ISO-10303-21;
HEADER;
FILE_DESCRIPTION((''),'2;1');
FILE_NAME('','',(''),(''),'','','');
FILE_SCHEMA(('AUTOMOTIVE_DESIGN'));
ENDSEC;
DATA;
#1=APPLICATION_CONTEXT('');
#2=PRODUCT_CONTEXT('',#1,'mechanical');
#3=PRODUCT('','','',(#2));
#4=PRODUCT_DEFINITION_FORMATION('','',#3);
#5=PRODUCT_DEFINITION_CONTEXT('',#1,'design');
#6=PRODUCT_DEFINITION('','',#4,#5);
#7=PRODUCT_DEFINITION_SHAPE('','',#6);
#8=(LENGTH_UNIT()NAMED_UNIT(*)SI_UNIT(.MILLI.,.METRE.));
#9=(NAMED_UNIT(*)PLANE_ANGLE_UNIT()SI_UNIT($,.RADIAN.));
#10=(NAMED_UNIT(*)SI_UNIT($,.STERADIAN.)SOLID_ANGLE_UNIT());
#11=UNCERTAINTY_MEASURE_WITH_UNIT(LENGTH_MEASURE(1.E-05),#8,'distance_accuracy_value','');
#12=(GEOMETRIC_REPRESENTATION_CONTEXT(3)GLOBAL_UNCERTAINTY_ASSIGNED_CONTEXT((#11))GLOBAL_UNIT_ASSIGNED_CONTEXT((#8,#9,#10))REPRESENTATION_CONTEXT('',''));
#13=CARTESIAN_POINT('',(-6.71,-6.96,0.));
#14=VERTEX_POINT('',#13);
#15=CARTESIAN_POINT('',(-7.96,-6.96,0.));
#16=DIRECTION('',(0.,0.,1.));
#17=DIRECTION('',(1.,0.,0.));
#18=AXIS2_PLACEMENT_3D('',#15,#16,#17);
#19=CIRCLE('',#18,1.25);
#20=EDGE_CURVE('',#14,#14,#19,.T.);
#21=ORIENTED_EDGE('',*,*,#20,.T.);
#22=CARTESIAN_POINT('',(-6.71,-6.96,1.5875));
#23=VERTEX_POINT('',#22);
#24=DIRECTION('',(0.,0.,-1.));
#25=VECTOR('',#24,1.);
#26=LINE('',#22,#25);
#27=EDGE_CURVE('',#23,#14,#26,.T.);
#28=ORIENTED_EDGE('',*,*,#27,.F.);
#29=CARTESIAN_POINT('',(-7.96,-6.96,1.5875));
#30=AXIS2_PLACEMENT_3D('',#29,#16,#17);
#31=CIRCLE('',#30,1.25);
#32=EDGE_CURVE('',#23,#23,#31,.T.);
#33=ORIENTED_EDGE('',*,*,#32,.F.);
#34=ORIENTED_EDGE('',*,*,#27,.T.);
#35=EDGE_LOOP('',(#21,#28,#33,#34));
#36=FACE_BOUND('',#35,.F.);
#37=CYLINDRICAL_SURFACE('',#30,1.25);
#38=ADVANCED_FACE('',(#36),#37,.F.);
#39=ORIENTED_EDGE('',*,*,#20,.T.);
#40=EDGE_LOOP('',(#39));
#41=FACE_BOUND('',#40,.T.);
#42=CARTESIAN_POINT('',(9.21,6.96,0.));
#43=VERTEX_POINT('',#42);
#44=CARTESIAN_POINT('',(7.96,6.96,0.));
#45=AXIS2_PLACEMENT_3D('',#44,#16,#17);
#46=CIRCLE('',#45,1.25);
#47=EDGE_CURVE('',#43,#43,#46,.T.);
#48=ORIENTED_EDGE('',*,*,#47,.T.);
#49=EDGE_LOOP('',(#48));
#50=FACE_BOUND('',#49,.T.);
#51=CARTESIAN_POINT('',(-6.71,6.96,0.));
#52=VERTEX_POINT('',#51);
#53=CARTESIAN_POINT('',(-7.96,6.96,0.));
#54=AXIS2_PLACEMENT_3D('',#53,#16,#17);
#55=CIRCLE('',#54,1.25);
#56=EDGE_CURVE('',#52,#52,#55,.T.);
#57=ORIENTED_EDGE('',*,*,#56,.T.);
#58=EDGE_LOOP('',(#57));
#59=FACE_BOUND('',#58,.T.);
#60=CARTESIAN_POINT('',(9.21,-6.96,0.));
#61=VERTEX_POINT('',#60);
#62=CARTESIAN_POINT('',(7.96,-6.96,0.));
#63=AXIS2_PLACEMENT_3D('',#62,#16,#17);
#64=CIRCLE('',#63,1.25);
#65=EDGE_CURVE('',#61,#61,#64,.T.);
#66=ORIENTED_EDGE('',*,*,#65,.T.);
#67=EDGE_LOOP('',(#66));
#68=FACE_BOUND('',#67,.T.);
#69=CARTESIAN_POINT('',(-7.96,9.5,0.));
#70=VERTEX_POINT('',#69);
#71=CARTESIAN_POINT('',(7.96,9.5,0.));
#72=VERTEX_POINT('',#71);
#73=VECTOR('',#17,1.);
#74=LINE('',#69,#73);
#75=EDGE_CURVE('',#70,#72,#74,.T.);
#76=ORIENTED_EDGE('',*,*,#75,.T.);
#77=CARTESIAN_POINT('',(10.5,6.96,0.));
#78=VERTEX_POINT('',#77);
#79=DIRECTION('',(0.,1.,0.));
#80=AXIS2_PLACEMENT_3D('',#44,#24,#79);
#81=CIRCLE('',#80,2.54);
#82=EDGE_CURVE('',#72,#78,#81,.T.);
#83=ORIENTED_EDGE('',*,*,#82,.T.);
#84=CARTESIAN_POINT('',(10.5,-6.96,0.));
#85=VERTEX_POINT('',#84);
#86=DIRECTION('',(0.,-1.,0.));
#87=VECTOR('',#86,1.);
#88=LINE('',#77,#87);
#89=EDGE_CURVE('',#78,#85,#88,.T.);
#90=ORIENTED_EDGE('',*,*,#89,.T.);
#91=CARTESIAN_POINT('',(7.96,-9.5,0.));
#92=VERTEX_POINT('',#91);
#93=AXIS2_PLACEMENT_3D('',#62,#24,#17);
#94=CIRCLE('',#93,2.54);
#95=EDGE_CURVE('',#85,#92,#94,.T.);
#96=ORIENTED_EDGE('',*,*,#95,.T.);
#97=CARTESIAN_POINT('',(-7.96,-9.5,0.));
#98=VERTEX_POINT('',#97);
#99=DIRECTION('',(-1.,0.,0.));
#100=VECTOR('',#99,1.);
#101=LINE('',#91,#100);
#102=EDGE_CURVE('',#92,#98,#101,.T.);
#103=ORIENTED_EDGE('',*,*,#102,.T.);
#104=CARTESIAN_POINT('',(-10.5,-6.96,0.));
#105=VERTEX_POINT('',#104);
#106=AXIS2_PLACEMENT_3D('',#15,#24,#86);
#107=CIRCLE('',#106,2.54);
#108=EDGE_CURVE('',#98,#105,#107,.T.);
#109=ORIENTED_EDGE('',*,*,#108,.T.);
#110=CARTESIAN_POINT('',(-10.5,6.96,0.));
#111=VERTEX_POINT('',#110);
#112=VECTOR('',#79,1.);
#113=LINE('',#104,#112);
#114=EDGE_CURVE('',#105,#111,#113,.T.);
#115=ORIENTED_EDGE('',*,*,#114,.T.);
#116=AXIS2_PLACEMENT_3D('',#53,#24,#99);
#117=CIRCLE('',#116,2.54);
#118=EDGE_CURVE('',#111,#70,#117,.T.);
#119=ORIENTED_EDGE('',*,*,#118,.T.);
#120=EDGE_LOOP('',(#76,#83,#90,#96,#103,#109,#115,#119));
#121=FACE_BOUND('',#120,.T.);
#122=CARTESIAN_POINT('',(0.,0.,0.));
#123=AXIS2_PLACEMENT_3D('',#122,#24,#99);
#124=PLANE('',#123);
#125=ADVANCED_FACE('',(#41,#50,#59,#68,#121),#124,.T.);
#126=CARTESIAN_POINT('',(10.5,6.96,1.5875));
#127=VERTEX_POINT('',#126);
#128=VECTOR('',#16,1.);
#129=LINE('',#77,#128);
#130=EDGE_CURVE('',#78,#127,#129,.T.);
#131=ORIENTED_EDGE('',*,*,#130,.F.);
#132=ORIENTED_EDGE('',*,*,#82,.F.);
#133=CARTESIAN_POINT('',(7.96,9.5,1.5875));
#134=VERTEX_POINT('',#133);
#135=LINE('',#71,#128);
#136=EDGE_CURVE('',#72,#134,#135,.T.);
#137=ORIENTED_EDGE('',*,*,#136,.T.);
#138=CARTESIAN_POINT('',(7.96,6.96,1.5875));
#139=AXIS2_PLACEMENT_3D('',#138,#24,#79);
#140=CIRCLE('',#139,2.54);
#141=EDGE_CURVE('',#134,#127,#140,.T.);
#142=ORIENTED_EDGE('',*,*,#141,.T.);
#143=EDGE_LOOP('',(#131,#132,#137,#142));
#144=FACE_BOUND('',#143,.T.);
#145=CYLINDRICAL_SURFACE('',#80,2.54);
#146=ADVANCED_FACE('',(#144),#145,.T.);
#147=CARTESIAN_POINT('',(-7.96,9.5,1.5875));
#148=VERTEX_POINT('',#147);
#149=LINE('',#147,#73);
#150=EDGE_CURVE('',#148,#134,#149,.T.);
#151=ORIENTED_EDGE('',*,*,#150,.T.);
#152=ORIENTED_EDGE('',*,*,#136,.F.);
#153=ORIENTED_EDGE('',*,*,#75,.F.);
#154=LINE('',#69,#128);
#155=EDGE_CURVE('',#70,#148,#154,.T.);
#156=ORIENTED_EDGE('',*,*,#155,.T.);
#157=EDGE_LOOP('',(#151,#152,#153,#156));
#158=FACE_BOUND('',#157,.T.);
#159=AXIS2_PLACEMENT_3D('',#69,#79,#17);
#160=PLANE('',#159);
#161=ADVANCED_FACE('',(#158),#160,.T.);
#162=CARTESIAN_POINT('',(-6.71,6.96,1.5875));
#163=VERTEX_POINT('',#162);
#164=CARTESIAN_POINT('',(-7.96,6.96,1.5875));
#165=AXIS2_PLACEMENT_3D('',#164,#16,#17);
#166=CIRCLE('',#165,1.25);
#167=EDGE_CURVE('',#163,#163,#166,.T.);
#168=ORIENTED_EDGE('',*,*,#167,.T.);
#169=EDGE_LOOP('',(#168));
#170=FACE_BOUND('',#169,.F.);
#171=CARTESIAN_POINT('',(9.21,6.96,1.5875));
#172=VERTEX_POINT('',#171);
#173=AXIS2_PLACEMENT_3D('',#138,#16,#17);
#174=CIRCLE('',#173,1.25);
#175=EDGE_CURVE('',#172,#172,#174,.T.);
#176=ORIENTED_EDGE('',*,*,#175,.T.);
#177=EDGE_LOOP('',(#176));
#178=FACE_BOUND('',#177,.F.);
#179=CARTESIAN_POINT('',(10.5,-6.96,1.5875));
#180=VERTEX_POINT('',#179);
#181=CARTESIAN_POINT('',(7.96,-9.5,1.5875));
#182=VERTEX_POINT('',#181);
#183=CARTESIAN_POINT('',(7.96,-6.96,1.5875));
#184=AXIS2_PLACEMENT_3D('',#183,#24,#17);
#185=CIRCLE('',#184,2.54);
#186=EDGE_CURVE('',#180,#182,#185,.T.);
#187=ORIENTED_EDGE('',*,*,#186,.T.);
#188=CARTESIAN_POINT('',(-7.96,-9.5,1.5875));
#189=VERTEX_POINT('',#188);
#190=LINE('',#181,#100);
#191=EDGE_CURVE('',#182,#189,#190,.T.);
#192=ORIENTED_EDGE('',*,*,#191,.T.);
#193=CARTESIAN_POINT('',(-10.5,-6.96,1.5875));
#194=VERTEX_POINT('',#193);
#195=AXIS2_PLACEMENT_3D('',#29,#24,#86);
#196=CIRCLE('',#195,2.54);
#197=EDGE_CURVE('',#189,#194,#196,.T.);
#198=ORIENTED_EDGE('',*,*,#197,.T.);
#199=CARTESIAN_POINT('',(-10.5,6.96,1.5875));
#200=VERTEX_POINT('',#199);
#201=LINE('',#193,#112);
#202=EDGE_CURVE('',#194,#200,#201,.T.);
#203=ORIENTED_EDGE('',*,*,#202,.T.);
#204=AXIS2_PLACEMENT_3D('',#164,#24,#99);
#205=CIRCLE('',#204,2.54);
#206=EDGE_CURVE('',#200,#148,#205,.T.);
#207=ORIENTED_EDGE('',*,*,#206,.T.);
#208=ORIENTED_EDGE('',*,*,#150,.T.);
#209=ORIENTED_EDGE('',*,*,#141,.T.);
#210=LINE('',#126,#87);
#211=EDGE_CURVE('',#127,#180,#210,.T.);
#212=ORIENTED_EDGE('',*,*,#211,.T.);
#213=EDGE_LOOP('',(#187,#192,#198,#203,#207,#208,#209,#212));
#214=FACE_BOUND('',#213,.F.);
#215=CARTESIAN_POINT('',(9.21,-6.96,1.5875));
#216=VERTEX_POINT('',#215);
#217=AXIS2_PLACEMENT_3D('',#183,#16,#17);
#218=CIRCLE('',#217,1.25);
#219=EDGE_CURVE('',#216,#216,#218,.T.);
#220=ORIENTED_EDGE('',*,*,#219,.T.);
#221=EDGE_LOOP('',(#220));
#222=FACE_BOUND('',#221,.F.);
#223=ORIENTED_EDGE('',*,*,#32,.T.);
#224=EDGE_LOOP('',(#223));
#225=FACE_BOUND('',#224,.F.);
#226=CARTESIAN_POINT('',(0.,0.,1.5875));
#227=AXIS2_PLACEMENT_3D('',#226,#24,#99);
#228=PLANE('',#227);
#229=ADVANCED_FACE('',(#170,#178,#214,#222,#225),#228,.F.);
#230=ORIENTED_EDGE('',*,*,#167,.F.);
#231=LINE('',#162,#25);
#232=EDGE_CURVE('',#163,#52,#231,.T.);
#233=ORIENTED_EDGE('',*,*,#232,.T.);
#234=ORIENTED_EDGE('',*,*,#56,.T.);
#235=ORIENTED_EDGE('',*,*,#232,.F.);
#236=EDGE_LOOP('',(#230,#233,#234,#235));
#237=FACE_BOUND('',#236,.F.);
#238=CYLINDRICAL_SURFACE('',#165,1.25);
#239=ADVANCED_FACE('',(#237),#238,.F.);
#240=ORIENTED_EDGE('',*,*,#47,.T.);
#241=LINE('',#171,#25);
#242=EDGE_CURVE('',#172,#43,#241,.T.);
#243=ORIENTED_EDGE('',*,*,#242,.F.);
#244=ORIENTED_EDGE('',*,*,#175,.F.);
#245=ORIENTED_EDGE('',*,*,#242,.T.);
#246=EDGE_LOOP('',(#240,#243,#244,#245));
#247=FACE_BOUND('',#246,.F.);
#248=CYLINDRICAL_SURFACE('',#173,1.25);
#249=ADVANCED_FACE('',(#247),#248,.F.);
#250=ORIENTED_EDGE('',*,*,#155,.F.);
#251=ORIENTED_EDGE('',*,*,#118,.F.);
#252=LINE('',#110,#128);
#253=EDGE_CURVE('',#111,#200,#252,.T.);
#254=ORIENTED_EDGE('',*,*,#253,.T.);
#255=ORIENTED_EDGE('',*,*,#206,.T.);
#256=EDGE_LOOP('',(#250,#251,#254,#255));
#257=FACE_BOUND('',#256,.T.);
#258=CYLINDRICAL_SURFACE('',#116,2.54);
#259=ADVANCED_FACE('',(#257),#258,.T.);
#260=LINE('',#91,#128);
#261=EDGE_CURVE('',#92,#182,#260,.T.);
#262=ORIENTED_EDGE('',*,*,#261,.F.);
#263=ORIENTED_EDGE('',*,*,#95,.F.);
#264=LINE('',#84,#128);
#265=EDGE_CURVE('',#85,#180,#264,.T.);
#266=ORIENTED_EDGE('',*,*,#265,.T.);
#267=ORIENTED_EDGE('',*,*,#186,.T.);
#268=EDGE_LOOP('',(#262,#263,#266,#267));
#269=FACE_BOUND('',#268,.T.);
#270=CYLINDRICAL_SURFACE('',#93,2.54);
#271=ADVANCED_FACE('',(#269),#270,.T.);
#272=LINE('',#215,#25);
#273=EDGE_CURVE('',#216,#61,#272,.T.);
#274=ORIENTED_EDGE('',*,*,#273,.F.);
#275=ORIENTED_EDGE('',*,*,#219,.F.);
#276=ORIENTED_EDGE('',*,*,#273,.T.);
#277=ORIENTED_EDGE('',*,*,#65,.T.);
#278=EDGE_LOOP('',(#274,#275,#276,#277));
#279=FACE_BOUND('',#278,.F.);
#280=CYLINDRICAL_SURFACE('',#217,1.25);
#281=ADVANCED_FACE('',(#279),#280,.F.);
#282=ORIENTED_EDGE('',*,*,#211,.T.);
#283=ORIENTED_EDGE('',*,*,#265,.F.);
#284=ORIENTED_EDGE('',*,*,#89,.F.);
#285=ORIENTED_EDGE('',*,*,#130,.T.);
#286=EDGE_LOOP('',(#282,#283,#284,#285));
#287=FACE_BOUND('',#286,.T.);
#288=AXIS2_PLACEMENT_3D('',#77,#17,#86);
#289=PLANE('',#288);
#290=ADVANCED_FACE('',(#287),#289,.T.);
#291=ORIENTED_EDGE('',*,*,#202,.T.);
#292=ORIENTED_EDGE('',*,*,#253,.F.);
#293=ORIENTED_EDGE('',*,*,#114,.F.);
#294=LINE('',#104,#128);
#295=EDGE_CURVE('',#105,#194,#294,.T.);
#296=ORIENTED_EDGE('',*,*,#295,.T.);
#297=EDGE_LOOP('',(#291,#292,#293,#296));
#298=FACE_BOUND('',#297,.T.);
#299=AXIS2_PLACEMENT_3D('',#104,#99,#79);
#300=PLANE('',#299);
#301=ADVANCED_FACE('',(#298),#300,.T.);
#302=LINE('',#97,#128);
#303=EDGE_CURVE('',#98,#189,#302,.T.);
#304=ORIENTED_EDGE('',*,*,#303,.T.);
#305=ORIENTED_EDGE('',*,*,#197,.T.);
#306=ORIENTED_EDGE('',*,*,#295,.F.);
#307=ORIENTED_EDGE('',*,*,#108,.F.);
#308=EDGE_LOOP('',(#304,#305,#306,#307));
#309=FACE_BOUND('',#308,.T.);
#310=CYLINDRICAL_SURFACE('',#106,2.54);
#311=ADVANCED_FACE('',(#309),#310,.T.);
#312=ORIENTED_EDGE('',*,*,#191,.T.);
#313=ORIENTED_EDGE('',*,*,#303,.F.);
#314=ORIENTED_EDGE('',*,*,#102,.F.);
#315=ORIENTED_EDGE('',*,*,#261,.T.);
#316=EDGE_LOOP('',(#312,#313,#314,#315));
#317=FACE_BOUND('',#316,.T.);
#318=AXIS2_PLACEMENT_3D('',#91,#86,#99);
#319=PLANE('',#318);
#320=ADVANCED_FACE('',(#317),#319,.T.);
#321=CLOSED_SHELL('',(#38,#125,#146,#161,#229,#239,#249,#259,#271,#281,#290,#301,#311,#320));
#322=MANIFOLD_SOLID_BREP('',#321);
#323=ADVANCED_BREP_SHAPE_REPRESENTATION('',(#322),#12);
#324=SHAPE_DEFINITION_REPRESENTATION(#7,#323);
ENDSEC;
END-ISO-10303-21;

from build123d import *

# Parameters (mm, degrees)
BOSS_EXTRUDE1_DEPTH = 1.5875
SKETCH2_R           = 1.25
CUT_EXTRUDE1_DEPTH  = 2.5875


with BuildPart() as part:
    # Sketch1 → Boss-Extrude1 (new body)
    with BuildSketch(Plane.XY):
        with BuildLine():
            Line((7.96, -9.5), (-7.96, -9.5))
            ThreePointArc((-7.96, -9.5), (-9.756051224, -8.756051224), (-10.5, -6.96))
            Line((-10.5, -6.96), (-10.5, 6.96))
            ThreePointArc((-10.5, 6.96), (-9.756051224, 8.756051224), (-7.96, 9.5))
            Line((-7.96, 9.5), (7.96, 9.5))
            ThreePointArc((7.96, 9.5), (9.756051224, 8.756051224), (10.5, 6.96))
            Line((10.5, 6.96), (10.5, -6.96))
            ThreePointArc((10.5, -6.96), (9.756051224, -8.756051224), (7.96, -9.5))
        make_face()
    extrude(amount=BOSS_EXTRUDE1_DEPTH)

    # Sketch2 → Cut-Extrude1 (cut, through all)
    with BuildSketch(Plane.XY.offset(1.5875)):
        with Locations((-7.96, 6.96)):
            Circle(SKETCH2_R)
        with Locations((7.96, 6.96)):
            Circle(SKETCH2_R)
        with Locations((7.96, -6.96)):
            Circle(SKETCH2_R)
        with Locations((-7.96, -6.96)):
            Circle(SKETCH2_R)
    extrude(amount=-CUT_EXTRUDE1_DEPTH, mode=Mode.SUBTRACT)


solid = part.part
